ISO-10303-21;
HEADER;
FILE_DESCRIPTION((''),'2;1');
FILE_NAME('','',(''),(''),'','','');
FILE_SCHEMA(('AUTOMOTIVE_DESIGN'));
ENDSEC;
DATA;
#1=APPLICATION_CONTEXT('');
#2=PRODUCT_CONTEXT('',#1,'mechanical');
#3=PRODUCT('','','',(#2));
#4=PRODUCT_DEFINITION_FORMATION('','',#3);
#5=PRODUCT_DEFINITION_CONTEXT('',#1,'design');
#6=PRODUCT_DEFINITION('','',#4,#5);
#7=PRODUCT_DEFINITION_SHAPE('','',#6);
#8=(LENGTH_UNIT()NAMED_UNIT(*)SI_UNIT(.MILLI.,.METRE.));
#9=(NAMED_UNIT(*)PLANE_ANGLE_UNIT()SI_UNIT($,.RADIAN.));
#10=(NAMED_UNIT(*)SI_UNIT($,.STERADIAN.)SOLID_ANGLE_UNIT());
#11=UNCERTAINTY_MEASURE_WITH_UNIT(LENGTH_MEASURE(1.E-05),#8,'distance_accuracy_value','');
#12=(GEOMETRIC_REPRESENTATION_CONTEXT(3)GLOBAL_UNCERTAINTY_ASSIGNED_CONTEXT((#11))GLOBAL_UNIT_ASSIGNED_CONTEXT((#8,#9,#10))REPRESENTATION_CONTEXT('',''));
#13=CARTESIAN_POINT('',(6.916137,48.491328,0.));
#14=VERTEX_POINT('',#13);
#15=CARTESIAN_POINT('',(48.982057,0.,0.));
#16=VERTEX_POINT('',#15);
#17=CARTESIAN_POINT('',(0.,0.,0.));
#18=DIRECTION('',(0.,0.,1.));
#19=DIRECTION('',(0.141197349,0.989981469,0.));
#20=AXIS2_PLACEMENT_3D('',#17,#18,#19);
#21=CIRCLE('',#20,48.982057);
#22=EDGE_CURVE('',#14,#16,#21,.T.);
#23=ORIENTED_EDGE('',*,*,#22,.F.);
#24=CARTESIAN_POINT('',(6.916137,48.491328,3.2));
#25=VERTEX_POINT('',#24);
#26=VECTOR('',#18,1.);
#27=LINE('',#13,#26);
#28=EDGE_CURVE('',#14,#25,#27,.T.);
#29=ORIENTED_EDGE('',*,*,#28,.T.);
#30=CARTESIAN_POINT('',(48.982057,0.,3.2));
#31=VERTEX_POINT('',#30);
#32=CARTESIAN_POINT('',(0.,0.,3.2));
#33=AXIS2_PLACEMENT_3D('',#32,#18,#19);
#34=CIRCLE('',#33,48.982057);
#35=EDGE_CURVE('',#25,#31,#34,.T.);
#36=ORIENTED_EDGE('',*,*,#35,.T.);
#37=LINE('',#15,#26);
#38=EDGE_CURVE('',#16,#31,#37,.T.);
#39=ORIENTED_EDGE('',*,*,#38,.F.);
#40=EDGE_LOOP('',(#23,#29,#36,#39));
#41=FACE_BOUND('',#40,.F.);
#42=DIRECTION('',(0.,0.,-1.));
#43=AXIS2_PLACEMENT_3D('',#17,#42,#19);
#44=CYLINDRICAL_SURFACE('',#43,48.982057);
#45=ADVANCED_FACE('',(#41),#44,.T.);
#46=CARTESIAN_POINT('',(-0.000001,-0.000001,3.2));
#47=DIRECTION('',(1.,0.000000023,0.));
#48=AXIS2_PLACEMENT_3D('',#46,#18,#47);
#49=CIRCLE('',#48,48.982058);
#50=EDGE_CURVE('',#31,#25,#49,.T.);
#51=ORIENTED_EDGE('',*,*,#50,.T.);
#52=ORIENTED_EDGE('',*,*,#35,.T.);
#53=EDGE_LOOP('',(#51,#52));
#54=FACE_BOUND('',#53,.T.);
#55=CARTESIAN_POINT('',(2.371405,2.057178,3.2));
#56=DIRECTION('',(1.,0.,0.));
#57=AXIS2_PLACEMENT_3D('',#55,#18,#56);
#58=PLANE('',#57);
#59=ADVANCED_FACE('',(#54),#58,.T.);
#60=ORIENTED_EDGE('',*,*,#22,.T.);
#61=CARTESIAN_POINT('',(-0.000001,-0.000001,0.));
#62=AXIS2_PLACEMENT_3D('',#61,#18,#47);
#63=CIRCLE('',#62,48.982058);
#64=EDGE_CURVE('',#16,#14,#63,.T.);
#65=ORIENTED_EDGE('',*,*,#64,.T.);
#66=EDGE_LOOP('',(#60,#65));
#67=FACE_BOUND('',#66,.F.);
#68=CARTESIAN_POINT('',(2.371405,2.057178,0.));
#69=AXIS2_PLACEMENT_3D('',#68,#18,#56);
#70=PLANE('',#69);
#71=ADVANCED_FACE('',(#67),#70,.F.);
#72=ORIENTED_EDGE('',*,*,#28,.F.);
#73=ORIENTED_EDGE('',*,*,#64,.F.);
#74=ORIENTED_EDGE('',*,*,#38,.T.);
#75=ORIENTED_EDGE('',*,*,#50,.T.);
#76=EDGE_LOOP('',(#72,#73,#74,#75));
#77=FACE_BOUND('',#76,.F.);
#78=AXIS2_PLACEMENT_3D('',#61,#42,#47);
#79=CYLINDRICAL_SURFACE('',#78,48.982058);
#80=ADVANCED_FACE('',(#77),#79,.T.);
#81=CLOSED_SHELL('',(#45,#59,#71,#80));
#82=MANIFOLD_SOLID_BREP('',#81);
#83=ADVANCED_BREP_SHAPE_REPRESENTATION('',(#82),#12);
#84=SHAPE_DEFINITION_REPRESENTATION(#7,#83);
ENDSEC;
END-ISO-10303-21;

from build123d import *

# Parameters (mm, degrees)
F1_DEPTH = 3.2


with BuildPart() as f1:
    # F0 (on Top) → F1 (new body)
    with BuildSketch(Plane.XY):
        with BuildLine():
            ThreePointArc((6.916137, 48.491328), (-37.000057, -32.097315), (48.982057, 0))
            ThreePointArc((48.982057, 0), (37.000057, 32.097315), (6.916137, 48.491328))
        make_face()
    extrude(amount=F1_DEPTH)


solid = f1.part
